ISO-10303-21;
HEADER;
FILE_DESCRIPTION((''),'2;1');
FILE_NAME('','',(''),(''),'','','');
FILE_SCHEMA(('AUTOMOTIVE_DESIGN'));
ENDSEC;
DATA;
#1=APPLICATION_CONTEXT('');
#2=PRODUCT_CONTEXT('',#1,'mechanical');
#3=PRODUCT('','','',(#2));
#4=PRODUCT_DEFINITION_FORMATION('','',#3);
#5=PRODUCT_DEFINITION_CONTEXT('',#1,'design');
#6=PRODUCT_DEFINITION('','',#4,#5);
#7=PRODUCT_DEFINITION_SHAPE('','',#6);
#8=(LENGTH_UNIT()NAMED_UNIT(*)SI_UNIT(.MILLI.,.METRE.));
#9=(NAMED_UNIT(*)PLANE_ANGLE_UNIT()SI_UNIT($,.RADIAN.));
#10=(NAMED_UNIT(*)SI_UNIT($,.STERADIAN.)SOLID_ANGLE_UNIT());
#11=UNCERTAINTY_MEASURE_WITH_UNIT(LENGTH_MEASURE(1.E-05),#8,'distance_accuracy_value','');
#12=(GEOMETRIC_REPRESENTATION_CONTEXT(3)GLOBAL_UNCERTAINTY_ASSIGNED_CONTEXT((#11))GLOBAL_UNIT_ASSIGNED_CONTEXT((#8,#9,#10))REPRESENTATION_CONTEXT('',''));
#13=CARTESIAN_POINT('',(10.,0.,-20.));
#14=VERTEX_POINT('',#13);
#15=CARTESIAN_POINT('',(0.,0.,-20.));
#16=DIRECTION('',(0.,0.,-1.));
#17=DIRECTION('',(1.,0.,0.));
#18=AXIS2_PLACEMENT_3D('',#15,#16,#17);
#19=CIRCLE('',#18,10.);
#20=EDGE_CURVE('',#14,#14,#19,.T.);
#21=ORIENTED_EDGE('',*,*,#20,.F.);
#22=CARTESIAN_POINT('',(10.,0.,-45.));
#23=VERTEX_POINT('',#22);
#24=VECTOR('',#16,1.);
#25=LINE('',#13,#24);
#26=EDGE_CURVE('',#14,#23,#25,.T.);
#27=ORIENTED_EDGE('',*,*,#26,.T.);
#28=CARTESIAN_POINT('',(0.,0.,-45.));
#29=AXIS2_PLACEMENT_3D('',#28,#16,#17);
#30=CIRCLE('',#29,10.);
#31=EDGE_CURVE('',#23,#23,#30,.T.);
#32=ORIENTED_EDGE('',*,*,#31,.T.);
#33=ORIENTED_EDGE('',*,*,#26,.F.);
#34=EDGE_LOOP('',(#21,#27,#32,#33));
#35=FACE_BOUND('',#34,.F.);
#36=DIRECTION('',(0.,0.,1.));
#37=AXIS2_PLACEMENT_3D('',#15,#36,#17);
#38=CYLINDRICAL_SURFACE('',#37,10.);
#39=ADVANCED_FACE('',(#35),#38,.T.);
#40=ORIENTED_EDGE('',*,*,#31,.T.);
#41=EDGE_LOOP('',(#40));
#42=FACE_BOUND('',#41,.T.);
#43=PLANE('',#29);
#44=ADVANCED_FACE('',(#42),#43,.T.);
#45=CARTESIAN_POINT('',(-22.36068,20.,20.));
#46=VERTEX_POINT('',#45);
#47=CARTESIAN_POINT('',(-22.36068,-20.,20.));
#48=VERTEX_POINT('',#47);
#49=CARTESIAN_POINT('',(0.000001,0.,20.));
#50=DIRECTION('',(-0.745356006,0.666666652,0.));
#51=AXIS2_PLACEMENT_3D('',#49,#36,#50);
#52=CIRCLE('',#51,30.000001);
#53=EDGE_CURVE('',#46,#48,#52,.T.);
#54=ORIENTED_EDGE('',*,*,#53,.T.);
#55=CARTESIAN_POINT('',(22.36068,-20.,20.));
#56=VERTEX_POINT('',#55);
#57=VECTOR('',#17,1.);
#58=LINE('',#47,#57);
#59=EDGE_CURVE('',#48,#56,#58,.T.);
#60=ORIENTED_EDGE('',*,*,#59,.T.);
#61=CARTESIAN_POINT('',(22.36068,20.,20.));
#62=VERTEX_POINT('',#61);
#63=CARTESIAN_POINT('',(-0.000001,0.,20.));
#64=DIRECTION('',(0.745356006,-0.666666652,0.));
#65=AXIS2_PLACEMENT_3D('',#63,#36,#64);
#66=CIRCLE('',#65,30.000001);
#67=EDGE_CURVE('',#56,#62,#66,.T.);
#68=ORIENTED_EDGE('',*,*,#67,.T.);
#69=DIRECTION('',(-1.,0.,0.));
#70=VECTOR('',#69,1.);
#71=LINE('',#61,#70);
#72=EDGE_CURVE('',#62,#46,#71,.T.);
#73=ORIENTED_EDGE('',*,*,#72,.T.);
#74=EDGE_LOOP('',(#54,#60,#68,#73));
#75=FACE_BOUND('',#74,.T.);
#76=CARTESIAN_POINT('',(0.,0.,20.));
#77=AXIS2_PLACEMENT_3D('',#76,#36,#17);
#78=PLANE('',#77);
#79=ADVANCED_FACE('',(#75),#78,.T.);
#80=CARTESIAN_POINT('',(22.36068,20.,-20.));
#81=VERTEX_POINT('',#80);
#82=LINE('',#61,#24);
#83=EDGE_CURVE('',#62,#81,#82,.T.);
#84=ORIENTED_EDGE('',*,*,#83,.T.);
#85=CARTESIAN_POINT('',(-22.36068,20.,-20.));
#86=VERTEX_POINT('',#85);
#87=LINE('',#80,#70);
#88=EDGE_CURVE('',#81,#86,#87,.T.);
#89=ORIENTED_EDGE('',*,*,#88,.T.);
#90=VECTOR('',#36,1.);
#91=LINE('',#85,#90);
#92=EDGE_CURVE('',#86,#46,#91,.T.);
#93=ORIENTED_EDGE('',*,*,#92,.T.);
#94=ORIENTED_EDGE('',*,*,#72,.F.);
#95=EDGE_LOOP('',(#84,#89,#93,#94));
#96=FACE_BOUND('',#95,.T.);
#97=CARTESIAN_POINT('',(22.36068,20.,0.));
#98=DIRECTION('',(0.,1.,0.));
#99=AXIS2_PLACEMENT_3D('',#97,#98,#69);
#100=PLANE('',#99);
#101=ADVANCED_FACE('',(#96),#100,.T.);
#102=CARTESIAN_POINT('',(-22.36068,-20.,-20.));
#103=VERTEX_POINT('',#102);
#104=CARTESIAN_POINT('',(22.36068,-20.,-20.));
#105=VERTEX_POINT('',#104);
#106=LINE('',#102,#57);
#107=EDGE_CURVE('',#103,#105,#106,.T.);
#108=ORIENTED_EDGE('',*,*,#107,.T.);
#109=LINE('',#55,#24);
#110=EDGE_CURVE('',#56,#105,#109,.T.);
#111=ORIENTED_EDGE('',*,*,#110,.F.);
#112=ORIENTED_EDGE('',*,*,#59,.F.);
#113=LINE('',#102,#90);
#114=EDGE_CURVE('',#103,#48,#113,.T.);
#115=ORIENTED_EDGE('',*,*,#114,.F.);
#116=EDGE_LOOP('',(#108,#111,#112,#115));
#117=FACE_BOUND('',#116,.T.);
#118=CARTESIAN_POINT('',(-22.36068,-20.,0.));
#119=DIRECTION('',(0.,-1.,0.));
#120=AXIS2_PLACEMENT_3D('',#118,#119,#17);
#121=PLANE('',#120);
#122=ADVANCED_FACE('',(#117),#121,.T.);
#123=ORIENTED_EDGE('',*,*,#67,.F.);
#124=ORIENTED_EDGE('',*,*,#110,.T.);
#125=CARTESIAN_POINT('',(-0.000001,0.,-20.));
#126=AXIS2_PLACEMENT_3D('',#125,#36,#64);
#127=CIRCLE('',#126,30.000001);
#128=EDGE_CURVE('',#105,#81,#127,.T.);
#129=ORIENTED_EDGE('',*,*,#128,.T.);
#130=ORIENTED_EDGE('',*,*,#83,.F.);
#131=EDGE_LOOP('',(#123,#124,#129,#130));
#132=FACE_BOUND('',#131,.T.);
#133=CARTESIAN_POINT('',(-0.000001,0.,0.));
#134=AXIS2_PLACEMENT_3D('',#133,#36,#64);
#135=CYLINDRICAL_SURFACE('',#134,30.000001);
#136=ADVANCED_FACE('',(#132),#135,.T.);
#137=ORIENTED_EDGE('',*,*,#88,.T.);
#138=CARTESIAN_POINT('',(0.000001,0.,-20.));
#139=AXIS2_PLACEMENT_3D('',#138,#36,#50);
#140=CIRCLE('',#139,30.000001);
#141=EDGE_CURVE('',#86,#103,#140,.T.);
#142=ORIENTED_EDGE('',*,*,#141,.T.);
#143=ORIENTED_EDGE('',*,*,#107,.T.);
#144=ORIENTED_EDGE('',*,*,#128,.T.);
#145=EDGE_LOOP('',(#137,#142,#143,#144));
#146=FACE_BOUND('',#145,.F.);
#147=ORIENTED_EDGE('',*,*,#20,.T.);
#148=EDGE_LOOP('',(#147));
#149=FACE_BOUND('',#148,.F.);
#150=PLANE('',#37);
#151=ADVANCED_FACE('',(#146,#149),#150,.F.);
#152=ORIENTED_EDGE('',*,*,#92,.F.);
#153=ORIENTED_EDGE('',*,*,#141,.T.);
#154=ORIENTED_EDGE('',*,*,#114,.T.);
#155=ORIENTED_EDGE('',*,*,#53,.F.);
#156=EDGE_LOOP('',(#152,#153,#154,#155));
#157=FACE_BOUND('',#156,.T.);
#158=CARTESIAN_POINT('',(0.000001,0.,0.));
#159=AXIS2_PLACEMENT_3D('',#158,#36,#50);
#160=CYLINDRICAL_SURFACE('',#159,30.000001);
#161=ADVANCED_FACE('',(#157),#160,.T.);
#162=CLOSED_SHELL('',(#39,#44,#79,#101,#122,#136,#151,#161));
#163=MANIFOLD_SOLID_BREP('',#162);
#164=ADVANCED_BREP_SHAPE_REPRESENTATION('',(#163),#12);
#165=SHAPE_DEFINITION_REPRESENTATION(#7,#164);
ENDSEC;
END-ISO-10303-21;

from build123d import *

# Parameters (mm, degrees)
F1_DEPTH = 20
F2_R     = 10
F3_DEPTH = 25


with BuildPart() as f1:
    # F0 (on Top) → F1 (new body, symmetric)
    with BuildSketch(Plane.XY):
        with BuildLine():
            Line((22.36068, 20), (-22.36068, 20))
            ThreePointArc((-22.36068, 20), (-30, 0), (-22.36068, -20))
            Line((-22.36068, -20), (22.36068, -20))
            ThreePointArc((22.36068, -20), (30, 0), (22.36068, 20))
        make_face()
    extrude(amount=F1_DEPTH, both=True)

    # F2 (on face) → F3 (join)
    with BuildSketch(Plane(origin=(0, 0, -20), x_dir=(1, 0, 0), z_dir=(0, 0, -1))):
        Circle(F2_R)
    extrude(amount=F3_DEPTH)


solid = f1.part
